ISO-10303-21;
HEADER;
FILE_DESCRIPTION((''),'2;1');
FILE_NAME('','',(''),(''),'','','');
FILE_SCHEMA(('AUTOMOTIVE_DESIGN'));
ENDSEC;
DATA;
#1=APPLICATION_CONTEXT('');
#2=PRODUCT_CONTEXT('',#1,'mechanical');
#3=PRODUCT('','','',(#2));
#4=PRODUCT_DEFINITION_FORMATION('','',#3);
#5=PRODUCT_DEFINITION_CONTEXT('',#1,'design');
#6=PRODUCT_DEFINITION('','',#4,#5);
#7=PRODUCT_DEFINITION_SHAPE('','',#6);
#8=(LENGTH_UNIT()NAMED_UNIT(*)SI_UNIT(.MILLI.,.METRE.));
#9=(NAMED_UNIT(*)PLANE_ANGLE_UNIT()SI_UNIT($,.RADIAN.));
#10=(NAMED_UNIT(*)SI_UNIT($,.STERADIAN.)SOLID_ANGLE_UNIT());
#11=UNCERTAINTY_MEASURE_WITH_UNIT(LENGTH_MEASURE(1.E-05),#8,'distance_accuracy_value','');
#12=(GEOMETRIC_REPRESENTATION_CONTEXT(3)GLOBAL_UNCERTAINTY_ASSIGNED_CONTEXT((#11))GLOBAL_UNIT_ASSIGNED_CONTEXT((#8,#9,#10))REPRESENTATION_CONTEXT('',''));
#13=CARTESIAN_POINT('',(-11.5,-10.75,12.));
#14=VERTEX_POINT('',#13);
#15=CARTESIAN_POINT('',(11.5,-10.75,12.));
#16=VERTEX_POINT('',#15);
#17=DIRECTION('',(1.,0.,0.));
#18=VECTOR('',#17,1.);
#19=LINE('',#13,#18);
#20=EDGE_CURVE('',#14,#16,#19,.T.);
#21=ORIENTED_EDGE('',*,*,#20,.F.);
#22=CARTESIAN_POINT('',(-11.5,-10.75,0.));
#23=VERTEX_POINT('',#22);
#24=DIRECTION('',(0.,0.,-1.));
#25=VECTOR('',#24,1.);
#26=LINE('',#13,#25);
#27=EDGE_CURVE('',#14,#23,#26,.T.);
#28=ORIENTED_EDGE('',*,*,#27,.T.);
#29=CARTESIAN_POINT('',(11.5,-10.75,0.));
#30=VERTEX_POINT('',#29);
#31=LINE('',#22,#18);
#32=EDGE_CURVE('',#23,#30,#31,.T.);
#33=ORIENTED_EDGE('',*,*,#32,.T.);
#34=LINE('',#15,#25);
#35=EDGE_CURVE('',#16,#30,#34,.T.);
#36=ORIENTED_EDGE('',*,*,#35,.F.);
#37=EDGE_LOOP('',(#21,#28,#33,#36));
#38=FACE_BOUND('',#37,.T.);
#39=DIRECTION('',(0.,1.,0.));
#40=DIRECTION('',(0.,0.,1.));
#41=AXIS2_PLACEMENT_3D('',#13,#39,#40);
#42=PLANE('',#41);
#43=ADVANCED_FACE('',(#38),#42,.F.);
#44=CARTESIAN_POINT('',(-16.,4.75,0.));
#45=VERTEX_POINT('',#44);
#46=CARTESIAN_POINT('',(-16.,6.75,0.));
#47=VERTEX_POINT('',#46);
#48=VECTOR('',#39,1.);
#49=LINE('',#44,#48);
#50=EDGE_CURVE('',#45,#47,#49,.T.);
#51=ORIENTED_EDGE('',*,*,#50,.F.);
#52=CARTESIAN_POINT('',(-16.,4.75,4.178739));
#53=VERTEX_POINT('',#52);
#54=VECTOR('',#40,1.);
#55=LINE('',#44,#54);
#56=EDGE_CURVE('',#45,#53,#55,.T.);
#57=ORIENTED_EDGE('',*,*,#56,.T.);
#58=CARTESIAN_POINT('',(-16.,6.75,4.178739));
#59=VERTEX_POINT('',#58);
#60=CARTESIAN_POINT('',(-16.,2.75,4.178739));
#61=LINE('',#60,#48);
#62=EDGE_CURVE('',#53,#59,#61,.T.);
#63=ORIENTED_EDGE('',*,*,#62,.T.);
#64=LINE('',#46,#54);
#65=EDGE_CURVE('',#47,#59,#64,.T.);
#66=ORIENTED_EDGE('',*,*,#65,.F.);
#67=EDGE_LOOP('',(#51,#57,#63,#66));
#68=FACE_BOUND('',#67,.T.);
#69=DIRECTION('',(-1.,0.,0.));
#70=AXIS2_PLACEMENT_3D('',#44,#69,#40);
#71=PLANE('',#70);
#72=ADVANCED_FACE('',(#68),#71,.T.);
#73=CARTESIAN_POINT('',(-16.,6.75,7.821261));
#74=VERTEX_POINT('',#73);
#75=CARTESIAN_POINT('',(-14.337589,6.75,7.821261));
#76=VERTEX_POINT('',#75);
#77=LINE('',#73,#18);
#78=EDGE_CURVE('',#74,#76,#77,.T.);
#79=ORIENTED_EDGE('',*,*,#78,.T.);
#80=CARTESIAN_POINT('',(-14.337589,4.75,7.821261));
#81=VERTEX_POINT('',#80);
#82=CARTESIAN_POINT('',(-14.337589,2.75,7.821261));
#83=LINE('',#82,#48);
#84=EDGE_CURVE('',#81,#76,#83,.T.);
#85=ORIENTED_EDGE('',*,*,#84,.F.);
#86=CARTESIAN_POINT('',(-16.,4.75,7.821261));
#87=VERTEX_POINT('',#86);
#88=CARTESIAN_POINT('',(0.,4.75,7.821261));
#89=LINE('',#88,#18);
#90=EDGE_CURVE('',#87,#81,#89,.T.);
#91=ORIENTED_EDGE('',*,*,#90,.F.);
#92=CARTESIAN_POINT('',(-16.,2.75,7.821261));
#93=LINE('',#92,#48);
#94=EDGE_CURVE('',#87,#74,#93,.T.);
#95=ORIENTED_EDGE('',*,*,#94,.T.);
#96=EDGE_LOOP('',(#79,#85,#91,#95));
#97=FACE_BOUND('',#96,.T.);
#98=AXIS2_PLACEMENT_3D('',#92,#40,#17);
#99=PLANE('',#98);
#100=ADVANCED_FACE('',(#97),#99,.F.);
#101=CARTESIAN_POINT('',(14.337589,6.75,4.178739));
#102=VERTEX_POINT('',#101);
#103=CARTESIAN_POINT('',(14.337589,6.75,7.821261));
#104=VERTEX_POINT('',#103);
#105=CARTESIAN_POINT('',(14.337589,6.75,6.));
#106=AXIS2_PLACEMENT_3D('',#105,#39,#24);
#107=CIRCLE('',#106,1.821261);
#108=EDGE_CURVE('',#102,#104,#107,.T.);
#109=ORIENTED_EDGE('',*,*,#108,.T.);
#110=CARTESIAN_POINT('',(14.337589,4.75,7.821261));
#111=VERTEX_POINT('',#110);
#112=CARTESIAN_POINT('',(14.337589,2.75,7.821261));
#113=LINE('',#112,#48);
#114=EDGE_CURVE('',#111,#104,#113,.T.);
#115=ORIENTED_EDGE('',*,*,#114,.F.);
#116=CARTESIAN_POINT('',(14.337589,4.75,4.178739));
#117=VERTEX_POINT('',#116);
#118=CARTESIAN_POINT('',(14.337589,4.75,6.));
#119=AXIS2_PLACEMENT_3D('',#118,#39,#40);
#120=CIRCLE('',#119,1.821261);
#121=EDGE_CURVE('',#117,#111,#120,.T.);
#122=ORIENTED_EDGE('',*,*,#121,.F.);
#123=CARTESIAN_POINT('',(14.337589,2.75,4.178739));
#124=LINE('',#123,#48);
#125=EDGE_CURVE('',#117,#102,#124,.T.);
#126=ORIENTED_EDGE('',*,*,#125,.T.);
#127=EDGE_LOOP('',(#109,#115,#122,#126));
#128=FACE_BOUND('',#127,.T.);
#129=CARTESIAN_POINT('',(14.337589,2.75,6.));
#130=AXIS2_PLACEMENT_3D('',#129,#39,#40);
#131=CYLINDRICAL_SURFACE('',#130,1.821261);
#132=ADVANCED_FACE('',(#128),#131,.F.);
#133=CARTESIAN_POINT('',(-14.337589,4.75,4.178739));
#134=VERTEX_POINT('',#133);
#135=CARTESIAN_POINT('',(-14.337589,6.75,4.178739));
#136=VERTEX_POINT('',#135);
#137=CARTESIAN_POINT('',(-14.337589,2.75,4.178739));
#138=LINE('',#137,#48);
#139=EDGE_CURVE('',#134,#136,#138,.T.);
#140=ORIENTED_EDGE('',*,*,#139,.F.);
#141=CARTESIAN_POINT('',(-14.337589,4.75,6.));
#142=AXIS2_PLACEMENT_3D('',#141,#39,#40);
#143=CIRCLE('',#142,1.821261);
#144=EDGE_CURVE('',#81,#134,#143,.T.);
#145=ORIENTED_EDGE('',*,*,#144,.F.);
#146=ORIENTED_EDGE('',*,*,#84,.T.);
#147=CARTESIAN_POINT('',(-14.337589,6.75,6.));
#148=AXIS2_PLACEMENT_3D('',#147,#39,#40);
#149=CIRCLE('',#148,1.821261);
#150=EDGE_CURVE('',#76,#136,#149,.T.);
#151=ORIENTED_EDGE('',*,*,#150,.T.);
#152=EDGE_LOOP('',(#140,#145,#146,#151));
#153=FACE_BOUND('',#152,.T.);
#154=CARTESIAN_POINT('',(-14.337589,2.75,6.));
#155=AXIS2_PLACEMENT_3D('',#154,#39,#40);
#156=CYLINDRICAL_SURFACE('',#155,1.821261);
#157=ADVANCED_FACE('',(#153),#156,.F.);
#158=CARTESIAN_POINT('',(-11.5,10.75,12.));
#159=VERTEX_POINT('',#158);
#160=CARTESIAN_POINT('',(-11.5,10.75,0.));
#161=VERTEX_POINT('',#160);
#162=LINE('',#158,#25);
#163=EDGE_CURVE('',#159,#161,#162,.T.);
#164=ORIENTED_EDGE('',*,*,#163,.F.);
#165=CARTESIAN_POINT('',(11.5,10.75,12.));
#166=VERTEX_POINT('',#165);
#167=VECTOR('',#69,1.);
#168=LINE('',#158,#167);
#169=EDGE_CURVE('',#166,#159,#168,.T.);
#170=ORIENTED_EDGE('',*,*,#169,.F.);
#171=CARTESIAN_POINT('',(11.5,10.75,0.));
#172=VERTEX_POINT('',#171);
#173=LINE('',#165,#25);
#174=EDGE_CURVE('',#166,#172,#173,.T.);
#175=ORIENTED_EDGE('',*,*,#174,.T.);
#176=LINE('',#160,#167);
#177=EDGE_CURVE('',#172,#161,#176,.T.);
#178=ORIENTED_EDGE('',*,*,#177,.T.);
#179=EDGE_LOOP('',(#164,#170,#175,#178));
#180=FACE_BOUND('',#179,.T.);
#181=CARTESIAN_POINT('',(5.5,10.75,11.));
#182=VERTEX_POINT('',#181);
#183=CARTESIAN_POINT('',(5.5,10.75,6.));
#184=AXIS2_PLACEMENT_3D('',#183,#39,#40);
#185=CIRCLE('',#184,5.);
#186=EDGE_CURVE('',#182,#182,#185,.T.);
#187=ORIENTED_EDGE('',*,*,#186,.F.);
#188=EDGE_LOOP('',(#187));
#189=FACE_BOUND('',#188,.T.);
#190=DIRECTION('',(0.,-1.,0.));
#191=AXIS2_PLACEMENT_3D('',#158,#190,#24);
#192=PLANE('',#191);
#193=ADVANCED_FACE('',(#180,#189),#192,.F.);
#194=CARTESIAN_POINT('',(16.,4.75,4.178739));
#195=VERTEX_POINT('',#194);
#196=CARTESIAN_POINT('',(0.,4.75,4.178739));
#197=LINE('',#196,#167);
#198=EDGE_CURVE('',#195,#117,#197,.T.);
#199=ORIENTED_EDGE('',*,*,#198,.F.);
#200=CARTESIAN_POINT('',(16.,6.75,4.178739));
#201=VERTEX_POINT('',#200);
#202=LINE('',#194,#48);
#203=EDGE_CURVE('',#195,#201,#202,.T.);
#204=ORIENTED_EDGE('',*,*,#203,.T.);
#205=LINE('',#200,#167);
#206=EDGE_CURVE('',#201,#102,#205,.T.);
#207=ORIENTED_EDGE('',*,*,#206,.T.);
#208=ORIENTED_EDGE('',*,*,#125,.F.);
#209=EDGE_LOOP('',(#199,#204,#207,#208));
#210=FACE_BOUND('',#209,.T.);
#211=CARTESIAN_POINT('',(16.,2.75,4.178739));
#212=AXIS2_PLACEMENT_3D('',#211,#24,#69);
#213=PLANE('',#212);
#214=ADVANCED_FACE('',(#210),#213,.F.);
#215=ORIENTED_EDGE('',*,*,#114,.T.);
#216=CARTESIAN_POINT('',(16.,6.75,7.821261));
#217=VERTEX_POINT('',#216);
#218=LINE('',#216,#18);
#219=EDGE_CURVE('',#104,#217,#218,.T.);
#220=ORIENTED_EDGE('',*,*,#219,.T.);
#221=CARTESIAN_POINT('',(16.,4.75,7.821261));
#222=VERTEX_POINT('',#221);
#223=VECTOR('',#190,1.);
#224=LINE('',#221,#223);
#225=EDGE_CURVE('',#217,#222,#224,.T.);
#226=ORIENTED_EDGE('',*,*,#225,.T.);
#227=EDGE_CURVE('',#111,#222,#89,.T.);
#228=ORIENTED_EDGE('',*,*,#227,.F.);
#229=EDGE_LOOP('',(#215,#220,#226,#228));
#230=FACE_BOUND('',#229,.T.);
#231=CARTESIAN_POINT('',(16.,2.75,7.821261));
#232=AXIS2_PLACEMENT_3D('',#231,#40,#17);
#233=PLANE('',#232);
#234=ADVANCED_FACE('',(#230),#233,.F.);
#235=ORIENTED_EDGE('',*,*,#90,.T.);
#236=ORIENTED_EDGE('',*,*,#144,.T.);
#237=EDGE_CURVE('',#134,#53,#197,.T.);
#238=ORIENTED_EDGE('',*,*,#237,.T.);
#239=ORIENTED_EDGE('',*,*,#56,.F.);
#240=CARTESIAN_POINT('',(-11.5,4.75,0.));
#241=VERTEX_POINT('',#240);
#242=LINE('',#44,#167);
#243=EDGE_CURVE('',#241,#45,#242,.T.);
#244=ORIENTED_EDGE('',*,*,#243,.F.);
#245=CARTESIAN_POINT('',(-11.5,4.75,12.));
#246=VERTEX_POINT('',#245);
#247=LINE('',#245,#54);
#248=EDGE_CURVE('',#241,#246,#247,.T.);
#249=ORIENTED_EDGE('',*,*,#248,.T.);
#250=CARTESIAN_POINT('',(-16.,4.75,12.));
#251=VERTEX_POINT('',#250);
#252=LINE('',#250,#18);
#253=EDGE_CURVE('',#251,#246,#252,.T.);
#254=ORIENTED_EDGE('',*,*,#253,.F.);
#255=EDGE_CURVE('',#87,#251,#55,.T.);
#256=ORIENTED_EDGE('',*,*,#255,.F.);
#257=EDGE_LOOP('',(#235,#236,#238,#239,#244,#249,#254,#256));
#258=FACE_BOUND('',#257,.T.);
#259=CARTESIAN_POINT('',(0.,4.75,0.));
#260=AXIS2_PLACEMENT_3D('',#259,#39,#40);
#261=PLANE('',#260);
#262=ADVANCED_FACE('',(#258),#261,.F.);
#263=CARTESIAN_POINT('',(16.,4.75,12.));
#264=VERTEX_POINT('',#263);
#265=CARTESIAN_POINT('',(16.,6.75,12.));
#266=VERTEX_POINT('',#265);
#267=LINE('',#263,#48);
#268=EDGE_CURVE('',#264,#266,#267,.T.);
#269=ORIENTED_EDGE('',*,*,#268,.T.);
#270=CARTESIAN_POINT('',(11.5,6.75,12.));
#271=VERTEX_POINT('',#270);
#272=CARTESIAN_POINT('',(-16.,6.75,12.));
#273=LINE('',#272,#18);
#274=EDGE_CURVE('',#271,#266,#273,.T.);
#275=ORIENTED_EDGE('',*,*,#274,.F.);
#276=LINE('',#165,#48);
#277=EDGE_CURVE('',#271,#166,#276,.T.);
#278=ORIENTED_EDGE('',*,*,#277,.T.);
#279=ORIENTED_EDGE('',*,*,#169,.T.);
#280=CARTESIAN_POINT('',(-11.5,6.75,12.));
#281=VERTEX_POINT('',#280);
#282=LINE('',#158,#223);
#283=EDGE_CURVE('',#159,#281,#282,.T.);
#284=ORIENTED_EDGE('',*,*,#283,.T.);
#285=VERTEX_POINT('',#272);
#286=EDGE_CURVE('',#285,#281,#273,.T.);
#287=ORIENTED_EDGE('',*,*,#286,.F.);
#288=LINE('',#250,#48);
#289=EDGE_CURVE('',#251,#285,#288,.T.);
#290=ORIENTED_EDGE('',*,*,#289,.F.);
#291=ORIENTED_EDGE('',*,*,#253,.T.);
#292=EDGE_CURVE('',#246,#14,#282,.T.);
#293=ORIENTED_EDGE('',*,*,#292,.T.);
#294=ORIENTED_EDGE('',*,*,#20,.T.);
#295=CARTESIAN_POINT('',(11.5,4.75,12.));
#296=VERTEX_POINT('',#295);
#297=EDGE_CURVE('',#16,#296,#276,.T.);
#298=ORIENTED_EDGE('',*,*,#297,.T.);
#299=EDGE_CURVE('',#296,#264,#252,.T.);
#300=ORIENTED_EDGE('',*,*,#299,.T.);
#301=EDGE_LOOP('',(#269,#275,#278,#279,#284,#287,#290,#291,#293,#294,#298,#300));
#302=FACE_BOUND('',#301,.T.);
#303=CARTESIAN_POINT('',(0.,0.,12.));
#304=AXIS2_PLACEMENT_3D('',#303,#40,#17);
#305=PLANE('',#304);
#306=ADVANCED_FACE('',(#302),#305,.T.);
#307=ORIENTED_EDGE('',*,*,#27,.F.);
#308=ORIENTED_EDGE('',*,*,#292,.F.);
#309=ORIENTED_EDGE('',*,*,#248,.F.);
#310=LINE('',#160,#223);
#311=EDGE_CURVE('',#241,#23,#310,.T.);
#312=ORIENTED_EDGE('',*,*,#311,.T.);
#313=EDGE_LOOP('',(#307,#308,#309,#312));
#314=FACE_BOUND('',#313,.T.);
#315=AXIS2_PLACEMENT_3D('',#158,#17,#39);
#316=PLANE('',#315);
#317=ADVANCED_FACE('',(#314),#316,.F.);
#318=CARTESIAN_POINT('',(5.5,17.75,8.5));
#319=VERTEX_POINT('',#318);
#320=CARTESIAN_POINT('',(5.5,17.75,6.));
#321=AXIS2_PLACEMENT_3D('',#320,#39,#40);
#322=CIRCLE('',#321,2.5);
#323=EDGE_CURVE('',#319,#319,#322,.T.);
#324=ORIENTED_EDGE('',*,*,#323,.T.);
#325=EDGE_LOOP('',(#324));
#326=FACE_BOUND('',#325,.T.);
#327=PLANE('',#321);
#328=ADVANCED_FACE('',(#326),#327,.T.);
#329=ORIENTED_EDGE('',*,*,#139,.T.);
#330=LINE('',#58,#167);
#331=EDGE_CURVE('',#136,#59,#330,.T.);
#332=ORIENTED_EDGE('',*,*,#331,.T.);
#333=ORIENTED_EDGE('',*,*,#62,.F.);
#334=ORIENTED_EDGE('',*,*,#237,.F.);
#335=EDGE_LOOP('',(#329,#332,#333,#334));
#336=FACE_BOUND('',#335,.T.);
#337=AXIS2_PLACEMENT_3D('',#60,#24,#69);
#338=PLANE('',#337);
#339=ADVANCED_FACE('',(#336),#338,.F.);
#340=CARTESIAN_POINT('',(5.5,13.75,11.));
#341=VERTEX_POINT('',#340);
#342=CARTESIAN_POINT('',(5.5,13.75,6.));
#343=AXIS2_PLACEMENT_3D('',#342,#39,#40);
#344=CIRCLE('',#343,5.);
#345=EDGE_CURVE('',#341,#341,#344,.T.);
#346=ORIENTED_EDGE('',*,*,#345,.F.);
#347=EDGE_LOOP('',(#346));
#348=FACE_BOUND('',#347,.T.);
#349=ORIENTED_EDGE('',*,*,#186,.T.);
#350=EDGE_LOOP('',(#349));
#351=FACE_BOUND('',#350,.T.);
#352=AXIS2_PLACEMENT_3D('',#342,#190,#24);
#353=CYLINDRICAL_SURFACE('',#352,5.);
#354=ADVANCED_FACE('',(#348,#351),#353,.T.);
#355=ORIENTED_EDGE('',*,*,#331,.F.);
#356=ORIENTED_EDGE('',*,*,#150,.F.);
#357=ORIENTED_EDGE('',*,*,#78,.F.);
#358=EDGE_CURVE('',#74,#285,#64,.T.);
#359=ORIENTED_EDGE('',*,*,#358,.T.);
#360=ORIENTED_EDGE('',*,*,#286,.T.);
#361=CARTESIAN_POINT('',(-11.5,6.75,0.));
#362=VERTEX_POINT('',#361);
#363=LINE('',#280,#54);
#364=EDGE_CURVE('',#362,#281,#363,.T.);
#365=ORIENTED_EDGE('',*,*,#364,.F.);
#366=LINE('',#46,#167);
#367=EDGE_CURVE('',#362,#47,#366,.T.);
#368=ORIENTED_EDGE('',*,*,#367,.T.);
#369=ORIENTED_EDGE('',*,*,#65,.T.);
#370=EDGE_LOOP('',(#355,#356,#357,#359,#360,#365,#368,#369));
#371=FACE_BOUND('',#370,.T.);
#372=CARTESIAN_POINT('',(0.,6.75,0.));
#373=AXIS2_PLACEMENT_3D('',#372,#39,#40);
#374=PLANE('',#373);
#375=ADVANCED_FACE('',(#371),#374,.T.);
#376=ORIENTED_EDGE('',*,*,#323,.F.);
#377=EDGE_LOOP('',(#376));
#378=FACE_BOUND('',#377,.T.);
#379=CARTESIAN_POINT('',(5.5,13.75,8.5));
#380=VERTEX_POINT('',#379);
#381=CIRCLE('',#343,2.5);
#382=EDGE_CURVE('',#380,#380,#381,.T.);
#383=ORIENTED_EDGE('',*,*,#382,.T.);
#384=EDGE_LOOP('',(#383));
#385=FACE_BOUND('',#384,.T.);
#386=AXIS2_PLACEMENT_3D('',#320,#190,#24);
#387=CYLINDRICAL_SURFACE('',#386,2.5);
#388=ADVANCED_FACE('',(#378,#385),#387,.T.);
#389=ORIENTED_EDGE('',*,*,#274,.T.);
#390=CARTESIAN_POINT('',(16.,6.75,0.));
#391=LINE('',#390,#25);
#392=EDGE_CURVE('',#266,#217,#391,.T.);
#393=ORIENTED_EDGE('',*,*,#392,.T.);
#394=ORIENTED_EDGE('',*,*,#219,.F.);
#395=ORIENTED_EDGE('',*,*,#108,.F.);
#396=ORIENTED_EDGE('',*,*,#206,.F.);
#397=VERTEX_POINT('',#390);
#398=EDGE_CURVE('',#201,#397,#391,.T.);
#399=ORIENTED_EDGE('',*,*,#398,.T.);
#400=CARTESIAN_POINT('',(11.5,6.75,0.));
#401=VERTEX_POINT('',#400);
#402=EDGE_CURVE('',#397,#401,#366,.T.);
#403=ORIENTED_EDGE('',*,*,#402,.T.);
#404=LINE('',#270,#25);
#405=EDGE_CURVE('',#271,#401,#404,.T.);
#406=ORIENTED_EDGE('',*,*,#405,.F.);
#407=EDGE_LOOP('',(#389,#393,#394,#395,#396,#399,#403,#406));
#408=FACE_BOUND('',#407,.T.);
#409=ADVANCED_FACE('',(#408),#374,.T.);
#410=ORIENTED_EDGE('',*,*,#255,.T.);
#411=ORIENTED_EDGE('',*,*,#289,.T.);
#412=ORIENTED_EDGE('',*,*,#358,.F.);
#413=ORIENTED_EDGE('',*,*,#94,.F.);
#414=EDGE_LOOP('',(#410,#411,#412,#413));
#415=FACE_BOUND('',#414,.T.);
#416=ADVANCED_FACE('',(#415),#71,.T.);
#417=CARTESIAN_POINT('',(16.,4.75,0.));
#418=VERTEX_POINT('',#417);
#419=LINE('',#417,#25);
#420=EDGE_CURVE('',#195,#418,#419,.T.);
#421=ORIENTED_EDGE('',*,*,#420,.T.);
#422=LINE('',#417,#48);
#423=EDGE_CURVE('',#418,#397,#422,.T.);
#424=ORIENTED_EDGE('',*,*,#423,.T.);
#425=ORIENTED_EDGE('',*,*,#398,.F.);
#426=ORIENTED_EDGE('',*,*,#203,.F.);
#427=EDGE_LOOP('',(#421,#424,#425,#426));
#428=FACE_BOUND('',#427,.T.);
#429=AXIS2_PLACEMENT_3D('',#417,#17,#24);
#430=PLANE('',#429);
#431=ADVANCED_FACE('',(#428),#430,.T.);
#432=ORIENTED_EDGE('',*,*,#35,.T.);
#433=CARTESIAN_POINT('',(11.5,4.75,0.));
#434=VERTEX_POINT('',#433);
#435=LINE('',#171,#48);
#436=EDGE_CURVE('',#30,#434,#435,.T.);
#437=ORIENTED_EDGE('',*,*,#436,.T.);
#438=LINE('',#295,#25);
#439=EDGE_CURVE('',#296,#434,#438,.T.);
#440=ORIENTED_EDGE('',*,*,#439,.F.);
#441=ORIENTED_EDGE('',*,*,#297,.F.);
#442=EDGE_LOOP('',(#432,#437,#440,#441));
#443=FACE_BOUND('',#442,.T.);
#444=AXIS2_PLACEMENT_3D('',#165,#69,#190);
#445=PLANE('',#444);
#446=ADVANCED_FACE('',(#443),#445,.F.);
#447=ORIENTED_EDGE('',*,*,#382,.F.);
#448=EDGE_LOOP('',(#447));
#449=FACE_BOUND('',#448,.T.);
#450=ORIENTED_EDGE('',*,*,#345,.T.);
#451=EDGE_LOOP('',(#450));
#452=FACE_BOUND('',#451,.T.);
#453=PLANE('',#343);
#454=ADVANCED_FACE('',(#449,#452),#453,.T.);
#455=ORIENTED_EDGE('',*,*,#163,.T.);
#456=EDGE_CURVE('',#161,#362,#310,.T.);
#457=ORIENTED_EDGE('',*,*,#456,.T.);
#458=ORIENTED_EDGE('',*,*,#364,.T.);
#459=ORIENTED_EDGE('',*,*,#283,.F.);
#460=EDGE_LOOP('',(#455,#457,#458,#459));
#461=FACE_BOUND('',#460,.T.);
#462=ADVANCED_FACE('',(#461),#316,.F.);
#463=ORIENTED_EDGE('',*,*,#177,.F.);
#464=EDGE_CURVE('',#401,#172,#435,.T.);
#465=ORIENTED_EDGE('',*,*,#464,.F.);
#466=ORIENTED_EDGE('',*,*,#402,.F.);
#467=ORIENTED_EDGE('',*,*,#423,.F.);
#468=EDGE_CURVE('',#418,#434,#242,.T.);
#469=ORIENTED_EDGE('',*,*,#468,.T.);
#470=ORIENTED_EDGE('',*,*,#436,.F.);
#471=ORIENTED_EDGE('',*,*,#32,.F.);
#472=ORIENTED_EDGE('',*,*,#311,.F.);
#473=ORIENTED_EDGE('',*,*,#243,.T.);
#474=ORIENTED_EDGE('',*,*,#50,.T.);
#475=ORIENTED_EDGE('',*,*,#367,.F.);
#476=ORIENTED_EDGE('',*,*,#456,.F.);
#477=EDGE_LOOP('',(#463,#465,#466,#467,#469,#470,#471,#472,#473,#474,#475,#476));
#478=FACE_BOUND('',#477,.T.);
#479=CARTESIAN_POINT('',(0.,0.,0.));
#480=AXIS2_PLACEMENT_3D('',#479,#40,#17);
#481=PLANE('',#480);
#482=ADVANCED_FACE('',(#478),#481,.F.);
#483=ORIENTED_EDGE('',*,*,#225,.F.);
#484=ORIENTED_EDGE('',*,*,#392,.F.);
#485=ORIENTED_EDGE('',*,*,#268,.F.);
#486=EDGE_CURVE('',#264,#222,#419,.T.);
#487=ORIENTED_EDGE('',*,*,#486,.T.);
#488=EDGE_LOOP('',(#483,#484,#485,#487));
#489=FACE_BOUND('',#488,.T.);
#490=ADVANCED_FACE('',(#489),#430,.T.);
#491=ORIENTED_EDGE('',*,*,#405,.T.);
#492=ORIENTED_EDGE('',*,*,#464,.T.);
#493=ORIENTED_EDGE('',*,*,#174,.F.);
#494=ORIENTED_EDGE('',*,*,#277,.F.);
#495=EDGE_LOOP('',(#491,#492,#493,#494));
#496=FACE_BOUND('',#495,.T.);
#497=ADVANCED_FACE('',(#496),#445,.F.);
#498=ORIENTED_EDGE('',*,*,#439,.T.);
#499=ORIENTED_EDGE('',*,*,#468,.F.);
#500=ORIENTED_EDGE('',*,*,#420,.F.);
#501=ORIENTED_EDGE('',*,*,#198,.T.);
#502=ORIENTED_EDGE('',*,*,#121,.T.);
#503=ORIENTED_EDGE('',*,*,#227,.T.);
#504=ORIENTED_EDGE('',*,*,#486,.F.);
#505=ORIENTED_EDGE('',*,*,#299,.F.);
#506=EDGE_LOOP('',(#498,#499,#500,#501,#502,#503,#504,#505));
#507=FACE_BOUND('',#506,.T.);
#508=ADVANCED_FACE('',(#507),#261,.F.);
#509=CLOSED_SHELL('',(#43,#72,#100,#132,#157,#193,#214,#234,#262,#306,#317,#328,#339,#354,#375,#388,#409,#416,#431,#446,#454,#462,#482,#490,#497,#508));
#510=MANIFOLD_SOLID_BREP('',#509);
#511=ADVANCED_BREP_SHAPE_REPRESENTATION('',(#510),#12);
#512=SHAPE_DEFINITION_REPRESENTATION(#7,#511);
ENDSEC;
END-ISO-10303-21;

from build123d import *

# Parameters (mm, degrees)
SKETCH1_W           = 23
SKETCH1_H           = 21.5
BOSS_EXTRUDE1_DEPTH = 12
SKETCH4_W           = 32
SKETCH4_H           = 12
BOSS_EXTRUDE2_DEPTH = 2
SKETCH5_R           = 5
BOSS_EXTRUDE3_DEPTH = 3
SKETCH6_R           = 2.5
BOSS_EXTRUDE4_DEPTH = 4
CUT_EXTRUDE1_DEPTH  = 4


with BuildPart() as part:
    # Sketch1 → Boss-Extrude1 (new body)
    with BuildSketch(Plane.XY):
        Rectangle(SKETCH1_W, SKETCH1_H)
    extrude(amount=BOSS_EXTRUDE1_DEPTH)

    # Sketch4 → Boss-Extrude2 (add)
    with BuildSketch(Plane(origin=(0, 6.75, 0), x_dir=(1, 0, 0), z_dir=(0, 1, 0))):
        with Locations((0, -6)):
            Rectangle(SKETCH4_W, SKETCH4_H)
    extrude(amount=-BOSS_EXTRUDE2_DEPTH)

    # Sketch5 → Boss-Extrude3 (add)
    with BuildSketch(Plane(origin=(0, 10.75, 0), x_dir=(1, 0, 0), z_dir=(0, 1, 0))):
        with Locations(Location((5.5, -6, 0), (0, 0, 270))):
            Circle(SKETCH5_R)
    extrude(amount=BOSS_EXTRUDE3_DEPTH)

    # Sketch6 → Boss-Extrude4 (add)
    with BuildSketch(Plane(origin=(0, 13.75, 0), x_dir=(1, 0, 0), z_dir=(0, 1, 0))):
        with Locations(Location((5.5, -6, 0), (0, 0, 270))):
            Circle(SKETCH6_R)
    extrude(amount=BOSS_EXTRUDE4_DEPTH)

    # Sketch7 → Cut-Extrude1 (cut)
    with BuildSketch(Plane(origin=(0, 6.75, 0), x_dir=(1, 0, 0), z_dir=(0, 1, 0))):
        with BuildLine():
            Line((-16, -4.178738648), (-14.337589365, -4.178738648))
            ThreePointArc((-14.337589365, -4.178738648), (-12.516328014, -6), (-14.337589365, -7.821261352))
            Line((-14.337589365, -7.821261352), (-16, -7.821261352))
            ThreePointArc((-16, -7.821261352), (-17.821261352, -6), (-16, -4.178738648))
        make_face()
        with BuildLine():
            Line((16, -4.178738648), (14.337589365, -4.178738648))
            ThreePointArc((14.337589365, -4.178738648), (12.516328014, -6), (14.337589365, -7.821261352))
            Line((14.337589365, -7.821261352), (16, -7.821261352))
            ThreePointArc((16, -7.821261352), (17.821261352, -6), (16, -4.178738648))
        make_face()
    extrude(amount=-CUT_EXTRUDE1_DEPTH, mode=Mode.SUBTRACT)


solid = part.part
